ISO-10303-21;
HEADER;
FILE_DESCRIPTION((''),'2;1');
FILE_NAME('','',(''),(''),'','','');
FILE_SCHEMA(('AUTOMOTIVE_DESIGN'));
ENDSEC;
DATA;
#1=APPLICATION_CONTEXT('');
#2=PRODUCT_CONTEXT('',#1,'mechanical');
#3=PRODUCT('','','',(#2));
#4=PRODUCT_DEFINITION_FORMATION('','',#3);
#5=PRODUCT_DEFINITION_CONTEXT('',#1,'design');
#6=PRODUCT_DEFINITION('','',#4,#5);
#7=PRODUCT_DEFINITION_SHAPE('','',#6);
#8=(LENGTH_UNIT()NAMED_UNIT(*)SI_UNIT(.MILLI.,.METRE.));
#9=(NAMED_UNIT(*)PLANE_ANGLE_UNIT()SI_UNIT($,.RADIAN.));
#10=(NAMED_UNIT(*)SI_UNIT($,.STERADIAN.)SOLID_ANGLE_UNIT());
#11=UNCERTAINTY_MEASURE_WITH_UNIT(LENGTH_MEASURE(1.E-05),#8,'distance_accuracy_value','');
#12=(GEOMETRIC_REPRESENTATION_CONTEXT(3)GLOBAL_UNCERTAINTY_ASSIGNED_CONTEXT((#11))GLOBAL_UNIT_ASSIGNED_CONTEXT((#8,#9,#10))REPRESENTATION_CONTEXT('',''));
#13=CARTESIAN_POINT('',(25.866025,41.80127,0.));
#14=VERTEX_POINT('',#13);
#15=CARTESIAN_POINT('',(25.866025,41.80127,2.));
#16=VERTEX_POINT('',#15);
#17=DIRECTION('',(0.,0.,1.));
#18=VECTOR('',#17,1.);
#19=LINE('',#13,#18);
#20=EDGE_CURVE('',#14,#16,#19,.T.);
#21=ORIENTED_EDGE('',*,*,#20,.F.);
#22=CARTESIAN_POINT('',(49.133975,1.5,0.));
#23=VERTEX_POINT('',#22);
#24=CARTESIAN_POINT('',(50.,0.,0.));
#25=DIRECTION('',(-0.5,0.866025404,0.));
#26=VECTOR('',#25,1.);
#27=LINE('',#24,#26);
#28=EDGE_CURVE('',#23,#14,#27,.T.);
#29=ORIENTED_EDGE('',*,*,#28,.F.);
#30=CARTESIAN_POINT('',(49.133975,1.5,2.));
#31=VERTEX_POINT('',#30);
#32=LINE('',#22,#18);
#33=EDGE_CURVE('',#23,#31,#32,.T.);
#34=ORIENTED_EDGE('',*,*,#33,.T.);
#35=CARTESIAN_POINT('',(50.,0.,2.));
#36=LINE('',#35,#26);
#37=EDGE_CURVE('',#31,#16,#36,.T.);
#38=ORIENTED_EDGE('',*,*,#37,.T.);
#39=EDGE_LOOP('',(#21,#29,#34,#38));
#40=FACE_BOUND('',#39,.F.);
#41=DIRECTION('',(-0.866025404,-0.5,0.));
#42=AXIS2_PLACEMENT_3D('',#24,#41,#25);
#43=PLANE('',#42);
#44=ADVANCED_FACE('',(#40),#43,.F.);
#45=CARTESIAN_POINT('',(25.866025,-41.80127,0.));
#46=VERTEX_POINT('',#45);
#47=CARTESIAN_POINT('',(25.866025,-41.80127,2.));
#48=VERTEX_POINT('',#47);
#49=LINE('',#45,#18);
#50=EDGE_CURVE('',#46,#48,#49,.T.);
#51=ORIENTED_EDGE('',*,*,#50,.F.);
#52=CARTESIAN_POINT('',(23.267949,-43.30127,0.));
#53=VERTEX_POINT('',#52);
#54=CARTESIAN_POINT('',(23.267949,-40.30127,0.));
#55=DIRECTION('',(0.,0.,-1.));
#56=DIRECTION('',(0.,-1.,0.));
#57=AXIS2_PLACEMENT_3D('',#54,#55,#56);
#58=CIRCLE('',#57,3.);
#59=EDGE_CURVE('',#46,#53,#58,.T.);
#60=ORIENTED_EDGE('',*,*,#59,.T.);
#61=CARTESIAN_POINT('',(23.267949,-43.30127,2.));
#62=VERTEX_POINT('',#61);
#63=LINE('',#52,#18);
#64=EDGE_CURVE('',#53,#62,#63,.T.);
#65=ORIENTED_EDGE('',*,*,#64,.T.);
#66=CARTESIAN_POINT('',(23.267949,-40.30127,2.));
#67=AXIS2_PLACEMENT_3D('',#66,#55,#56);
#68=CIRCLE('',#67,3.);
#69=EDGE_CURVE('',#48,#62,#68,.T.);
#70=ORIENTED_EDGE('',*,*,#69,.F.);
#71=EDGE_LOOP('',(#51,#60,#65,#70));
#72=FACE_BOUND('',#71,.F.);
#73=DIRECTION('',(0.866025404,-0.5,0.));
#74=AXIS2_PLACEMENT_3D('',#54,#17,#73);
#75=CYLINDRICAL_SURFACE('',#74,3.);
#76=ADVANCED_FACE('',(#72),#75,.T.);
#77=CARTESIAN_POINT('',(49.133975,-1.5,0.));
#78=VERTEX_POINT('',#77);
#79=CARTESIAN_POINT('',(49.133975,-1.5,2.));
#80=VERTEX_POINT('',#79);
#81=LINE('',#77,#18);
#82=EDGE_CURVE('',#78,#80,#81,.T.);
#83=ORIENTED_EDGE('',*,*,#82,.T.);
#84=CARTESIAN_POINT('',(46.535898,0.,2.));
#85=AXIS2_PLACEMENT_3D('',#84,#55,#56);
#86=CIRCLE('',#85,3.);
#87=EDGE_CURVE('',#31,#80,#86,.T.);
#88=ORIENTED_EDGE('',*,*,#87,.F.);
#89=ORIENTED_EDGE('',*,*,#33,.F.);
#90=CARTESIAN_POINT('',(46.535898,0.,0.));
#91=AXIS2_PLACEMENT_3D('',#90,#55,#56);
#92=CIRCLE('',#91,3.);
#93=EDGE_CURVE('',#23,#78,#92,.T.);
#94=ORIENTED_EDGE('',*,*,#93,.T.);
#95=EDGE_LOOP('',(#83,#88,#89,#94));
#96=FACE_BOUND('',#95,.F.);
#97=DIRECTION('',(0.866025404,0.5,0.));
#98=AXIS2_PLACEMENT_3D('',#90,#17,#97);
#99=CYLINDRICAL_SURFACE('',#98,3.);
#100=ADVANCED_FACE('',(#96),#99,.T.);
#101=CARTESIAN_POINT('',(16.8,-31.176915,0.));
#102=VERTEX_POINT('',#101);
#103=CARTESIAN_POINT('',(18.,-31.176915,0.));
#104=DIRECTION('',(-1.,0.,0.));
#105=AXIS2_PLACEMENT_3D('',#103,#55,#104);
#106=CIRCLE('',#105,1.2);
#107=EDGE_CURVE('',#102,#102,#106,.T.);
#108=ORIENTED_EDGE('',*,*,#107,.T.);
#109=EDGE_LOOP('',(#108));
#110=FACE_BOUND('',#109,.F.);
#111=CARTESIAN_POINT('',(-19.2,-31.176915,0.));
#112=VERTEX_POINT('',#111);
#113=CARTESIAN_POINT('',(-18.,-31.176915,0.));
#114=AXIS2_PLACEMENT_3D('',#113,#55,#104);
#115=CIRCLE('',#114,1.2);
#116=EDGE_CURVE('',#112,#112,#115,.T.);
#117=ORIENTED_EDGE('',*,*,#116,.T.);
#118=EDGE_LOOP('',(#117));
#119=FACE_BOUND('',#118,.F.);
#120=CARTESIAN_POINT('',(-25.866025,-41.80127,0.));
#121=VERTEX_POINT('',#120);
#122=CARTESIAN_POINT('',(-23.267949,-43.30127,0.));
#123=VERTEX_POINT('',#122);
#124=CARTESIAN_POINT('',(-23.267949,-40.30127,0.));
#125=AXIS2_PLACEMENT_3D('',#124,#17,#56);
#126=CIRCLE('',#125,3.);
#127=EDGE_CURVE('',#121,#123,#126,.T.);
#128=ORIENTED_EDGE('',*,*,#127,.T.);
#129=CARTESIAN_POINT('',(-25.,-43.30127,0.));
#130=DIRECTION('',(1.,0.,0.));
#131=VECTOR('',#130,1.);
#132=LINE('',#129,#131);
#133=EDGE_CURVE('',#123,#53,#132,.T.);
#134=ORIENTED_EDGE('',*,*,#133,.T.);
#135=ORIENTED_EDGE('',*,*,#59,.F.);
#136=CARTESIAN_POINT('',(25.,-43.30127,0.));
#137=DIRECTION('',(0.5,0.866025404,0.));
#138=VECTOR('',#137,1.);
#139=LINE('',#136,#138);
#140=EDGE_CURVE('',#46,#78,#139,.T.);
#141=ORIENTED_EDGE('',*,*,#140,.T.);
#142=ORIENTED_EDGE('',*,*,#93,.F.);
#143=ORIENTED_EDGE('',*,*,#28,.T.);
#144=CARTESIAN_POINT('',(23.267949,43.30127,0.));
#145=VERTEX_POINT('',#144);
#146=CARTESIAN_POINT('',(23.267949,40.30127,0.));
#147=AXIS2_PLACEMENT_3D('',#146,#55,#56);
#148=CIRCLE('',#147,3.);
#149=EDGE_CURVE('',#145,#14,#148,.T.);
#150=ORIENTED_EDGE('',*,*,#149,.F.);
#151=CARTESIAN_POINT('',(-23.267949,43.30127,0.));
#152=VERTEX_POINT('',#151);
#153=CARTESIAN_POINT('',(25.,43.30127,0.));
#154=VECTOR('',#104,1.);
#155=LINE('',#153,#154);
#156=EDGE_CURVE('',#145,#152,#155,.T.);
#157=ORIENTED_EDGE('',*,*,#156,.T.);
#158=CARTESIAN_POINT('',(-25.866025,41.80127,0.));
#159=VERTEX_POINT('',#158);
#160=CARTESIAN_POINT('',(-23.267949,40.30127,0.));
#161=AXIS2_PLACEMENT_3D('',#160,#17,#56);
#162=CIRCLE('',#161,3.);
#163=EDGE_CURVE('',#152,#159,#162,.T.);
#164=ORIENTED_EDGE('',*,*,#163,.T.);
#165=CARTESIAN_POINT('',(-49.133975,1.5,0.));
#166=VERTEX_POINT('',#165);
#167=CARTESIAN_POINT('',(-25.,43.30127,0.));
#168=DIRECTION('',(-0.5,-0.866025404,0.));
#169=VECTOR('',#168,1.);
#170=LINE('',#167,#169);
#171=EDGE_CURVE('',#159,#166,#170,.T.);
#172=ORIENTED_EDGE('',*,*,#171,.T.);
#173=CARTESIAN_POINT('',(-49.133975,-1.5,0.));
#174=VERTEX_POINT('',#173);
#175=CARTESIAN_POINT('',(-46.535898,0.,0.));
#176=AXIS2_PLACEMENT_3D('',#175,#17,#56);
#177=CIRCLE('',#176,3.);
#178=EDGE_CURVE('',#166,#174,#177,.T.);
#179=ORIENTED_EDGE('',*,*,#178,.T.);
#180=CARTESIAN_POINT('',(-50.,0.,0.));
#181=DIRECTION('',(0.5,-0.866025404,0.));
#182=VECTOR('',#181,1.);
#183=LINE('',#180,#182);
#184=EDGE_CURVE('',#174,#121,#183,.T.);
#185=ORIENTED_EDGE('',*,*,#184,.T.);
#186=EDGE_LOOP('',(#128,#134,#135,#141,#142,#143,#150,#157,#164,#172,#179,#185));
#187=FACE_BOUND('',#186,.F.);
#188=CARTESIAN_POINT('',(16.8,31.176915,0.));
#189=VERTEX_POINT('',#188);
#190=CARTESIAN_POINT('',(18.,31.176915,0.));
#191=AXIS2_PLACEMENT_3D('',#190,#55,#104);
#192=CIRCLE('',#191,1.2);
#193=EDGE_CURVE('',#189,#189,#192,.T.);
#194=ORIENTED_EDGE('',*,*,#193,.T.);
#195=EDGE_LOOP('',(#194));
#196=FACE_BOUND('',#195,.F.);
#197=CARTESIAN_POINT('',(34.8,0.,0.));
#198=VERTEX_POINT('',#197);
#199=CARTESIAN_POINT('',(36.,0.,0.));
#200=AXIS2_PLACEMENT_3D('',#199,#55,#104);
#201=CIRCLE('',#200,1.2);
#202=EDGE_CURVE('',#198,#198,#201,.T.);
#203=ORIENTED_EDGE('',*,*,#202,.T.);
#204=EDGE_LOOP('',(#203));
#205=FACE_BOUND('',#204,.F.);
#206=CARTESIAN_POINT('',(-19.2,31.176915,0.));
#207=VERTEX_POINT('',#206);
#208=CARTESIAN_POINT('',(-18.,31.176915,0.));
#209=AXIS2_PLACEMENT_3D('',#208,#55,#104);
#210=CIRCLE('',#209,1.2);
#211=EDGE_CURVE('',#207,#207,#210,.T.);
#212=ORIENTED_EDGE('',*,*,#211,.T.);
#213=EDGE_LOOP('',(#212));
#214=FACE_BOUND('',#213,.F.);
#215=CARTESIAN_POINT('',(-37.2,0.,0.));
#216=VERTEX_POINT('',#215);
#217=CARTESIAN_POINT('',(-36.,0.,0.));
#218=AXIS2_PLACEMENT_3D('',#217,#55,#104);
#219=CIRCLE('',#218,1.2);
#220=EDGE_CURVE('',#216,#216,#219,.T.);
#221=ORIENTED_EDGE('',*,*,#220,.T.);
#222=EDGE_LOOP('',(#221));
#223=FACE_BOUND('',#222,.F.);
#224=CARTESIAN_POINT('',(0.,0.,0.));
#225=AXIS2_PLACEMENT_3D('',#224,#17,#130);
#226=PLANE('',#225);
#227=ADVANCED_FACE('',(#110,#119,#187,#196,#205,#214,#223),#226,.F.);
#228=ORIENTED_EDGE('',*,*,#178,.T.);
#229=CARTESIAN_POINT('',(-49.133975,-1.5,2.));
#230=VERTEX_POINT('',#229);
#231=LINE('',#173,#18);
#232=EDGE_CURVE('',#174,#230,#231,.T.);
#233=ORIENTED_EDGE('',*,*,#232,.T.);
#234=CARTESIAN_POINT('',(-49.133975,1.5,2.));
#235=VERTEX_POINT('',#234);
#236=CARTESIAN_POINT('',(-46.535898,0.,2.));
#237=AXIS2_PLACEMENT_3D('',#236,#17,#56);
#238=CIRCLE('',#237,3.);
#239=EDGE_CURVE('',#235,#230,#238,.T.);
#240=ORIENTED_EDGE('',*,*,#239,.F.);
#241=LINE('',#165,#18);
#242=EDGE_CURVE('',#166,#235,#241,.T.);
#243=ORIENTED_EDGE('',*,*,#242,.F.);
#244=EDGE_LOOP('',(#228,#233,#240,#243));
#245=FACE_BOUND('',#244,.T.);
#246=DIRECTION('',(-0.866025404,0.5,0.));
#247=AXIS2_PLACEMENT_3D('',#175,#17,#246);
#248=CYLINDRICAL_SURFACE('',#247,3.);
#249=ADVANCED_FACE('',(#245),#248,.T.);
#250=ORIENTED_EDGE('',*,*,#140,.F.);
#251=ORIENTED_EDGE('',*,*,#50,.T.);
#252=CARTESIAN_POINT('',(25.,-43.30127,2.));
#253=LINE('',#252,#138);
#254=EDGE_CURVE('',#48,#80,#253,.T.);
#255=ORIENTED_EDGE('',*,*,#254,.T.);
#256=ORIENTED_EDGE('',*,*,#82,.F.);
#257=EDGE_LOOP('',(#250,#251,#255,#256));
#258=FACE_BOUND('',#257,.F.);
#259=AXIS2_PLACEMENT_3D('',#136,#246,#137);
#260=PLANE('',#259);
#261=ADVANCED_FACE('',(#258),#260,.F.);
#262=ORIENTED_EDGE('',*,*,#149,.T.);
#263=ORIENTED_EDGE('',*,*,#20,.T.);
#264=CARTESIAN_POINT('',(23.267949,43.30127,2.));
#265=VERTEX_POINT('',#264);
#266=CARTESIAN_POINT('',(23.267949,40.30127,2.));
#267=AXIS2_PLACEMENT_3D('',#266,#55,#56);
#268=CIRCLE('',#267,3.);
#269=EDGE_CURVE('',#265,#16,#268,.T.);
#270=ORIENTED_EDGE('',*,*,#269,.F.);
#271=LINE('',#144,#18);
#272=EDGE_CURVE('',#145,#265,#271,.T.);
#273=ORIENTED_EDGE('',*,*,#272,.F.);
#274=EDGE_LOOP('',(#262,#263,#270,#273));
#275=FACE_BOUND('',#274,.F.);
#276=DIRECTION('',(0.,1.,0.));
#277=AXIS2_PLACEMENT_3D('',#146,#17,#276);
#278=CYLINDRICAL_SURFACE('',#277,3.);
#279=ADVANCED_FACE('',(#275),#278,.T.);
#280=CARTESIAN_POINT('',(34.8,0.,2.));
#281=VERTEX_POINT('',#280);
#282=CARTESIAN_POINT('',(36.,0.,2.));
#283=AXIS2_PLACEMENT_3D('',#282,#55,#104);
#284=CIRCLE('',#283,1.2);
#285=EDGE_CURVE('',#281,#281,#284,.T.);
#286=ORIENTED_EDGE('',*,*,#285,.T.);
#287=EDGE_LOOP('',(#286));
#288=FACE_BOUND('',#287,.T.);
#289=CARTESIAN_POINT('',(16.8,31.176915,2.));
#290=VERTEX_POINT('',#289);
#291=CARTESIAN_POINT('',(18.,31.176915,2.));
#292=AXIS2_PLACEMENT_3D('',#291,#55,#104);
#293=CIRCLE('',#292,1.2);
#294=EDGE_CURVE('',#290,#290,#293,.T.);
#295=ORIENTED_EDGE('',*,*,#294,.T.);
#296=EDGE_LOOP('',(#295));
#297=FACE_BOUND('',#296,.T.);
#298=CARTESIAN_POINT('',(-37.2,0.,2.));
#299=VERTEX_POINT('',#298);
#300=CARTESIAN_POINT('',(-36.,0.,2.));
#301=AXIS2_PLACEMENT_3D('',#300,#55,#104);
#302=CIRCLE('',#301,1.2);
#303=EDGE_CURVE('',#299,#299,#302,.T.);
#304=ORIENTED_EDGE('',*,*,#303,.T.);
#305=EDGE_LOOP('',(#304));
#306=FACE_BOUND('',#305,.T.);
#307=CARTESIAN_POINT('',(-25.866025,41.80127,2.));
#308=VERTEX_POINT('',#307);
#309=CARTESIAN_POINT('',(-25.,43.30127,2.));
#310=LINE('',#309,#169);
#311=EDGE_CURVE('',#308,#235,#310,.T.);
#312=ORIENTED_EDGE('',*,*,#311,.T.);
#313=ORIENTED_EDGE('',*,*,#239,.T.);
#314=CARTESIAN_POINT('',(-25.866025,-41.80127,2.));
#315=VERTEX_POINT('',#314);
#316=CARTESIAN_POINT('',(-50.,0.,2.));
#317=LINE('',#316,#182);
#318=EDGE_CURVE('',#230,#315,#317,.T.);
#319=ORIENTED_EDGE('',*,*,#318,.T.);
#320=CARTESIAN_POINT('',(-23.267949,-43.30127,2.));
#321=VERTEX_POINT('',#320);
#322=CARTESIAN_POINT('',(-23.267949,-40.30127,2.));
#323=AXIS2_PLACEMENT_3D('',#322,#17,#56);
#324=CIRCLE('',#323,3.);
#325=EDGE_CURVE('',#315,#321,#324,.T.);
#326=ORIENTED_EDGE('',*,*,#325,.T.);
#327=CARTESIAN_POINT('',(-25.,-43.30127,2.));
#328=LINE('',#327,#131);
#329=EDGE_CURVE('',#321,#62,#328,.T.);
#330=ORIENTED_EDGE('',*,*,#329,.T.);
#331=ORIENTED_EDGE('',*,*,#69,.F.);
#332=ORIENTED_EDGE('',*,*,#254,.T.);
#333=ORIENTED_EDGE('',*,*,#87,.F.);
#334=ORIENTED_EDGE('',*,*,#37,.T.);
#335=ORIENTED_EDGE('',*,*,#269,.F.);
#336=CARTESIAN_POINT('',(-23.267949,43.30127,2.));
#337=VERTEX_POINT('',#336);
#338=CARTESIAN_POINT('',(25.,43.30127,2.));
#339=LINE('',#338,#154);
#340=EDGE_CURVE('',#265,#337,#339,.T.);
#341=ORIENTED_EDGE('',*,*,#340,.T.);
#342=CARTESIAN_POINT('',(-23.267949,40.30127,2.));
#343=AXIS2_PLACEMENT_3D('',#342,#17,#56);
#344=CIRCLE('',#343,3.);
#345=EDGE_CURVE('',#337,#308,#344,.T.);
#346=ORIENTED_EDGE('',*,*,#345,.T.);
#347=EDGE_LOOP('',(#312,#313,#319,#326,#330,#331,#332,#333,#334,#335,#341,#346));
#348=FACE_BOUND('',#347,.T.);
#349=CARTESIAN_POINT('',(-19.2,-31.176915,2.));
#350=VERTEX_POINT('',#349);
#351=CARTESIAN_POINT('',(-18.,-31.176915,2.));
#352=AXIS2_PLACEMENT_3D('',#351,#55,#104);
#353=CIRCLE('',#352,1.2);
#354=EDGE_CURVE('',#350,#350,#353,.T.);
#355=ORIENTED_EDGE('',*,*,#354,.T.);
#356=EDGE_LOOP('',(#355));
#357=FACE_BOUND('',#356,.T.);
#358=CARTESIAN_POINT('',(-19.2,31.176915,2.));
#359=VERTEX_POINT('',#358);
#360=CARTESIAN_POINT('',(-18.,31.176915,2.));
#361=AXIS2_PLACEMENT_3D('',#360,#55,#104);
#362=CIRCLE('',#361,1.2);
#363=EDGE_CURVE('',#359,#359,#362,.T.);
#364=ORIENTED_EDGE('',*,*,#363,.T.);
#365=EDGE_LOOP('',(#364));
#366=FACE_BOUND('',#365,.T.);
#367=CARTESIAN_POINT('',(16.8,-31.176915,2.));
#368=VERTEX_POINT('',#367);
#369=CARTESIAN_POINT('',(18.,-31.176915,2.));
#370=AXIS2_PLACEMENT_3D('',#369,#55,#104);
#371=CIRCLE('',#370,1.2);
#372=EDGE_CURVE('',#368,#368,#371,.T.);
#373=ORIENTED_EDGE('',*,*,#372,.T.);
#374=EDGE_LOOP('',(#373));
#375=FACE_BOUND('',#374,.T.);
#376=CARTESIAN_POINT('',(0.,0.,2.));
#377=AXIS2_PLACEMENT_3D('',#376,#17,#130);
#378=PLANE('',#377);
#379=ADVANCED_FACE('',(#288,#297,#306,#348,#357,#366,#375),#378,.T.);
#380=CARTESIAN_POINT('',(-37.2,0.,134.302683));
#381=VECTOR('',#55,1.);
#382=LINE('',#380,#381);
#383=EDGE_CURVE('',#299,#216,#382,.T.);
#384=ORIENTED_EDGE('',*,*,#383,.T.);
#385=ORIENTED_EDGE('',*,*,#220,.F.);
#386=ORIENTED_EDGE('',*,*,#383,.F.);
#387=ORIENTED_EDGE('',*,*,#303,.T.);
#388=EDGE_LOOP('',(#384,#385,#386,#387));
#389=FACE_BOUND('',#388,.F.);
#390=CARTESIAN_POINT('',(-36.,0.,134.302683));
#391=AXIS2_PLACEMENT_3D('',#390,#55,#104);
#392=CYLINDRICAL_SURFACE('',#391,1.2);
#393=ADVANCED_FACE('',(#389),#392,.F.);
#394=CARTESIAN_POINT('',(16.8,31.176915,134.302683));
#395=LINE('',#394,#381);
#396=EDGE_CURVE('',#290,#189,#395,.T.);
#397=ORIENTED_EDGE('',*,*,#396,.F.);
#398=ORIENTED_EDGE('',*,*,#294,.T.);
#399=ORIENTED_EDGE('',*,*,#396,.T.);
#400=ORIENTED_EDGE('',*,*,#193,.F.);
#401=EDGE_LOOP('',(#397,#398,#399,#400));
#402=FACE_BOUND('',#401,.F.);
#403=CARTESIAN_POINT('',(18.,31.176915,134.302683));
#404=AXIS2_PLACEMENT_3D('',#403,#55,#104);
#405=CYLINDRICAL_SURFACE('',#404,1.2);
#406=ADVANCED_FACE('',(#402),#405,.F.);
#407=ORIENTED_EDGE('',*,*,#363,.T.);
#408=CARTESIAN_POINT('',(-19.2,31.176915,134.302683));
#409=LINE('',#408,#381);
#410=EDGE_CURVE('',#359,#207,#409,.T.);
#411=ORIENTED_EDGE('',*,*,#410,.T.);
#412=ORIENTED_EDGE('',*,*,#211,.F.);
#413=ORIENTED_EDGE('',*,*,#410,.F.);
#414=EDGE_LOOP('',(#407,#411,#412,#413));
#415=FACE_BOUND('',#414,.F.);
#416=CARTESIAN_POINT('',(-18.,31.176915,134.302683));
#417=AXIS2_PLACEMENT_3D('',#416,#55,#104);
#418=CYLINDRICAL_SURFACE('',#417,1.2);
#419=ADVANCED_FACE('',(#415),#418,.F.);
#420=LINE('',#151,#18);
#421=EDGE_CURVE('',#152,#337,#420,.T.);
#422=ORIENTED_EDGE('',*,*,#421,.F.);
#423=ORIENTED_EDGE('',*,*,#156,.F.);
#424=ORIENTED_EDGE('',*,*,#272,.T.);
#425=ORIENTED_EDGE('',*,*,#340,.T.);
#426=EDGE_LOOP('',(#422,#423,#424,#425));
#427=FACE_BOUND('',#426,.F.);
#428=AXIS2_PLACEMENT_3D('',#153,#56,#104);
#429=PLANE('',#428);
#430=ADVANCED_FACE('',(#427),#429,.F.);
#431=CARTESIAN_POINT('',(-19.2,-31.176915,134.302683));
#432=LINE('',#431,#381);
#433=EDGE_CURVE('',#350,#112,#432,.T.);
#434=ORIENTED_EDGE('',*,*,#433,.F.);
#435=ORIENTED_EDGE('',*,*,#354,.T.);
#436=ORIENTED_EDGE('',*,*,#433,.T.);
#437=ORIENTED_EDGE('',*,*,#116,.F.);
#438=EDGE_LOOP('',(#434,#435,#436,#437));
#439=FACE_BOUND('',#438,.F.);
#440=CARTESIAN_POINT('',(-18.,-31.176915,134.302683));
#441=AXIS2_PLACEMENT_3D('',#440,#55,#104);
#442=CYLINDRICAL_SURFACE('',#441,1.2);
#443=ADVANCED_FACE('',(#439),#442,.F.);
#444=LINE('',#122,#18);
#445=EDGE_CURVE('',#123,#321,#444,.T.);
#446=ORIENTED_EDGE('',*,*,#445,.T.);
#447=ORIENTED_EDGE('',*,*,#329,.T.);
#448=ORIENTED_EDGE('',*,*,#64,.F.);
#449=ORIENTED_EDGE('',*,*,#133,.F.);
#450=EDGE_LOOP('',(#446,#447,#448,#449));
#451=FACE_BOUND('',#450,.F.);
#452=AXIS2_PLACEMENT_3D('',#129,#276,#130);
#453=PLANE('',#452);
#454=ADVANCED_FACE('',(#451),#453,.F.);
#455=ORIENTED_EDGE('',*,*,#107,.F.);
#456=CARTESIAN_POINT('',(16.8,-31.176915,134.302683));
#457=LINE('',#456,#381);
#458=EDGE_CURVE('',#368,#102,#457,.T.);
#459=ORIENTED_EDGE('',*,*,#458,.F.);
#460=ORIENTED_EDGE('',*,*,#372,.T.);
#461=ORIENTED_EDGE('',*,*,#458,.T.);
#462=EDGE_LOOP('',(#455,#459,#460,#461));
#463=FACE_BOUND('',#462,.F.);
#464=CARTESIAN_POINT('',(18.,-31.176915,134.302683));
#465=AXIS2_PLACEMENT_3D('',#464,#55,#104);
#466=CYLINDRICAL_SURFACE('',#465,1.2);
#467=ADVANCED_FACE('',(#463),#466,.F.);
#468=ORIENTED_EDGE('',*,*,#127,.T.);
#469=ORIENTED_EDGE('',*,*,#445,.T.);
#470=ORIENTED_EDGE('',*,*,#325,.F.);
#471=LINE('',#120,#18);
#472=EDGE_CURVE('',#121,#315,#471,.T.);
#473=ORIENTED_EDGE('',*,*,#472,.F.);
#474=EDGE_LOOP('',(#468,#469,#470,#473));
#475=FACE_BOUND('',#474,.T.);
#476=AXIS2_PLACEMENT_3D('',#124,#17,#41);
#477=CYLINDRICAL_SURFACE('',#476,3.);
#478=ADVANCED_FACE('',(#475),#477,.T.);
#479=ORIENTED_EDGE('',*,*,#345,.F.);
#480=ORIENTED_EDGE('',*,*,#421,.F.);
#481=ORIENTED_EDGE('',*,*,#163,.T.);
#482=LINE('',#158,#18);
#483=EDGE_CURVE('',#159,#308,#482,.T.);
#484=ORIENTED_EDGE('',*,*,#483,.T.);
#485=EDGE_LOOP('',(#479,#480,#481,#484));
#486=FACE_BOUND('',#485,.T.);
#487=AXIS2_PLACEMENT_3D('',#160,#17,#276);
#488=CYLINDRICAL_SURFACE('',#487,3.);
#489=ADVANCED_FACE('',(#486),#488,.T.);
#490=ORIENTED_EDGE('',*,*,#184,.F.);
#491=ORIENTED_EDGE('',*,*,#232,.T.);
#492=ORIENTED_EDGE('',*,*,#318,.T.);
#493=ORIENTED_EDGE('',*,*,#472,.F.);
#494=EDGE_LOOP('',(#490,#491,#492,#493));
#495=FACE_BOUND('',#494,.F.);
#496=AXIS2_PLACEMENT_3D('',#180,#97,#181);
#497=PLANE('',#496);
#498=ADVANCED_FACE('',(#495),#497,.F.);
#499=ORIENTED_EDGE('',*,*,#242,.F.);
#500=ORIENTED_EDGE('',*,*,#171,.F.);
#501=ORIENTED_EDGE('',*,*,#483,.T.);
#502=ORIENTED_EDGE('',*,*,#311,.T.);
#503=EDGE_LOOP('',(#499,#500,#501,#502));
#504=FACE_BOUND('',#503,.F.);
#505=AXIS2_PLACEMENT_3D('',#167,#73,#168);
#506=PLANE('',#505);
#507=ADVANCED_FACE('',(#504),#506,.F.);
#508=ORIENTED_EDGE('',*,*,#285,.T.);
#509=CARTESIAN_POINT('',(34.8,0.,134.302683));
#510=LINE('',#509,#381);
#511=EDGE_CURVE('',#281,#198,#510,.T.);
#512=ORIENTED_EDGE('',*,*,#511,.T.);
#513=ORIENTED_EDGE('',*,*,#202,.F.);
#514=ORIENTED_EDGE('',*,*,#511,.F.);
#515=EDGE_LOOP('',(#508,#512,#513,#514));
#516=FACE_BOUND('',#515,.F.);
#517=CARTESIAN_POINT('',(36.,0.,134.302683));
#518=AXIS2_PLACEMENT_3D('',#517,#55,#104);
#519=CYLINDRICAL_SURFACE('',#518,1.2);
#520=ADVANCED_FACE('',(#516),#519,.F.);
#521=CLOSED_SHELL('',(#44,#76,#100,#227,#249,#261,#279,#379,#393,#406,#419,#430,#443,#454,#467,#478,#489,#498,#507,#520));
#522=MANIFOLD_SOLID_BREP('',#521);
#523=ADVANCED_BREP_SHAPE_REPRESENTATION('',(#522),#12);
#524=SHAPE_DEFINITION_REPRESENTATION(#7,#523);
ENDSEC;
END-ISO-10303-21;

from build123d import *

# Parameters (mm, degrees)
F1_DEPTH = 2
F3_D     = 2.4
F4_R     = 3


with BuildPart() as f1:
    # F0 (on Top) → F1 (new body)
    with BuildSketch(Plane.XY):
        Polygon((25, 43.3012701892), (-25, 43.3012701892), (-50, 0), (-25, -43.3012701892), (25, -43.3012701892), (50, 0), align=None)
    extrude(amount=F1_DEPTH)

    # F3 (through all)
    with Locations(Plane.XY.offset(2)):
        with Locations((-18, 31.1769145362), (18, 31.1769145362), (36, 0), (18, -31.1769145362), (-18, -31.1769145362), (-36, 0)):
            Hole(F3_D / 2)

    # F4
    f4_edges = [f1.edges().sort_by_distance(p)[0] for p in [
        (-25, -43.30127, 1),
        (25, -43.30127, 1),
        (50, 0, 1),
        (25, 43.30127, 1),
        (-25, 43.30127, 1),
        (-50, 0, 1),
    ]]
    fillet(f4_edges, radius=F4_R)


solid = f1.part
